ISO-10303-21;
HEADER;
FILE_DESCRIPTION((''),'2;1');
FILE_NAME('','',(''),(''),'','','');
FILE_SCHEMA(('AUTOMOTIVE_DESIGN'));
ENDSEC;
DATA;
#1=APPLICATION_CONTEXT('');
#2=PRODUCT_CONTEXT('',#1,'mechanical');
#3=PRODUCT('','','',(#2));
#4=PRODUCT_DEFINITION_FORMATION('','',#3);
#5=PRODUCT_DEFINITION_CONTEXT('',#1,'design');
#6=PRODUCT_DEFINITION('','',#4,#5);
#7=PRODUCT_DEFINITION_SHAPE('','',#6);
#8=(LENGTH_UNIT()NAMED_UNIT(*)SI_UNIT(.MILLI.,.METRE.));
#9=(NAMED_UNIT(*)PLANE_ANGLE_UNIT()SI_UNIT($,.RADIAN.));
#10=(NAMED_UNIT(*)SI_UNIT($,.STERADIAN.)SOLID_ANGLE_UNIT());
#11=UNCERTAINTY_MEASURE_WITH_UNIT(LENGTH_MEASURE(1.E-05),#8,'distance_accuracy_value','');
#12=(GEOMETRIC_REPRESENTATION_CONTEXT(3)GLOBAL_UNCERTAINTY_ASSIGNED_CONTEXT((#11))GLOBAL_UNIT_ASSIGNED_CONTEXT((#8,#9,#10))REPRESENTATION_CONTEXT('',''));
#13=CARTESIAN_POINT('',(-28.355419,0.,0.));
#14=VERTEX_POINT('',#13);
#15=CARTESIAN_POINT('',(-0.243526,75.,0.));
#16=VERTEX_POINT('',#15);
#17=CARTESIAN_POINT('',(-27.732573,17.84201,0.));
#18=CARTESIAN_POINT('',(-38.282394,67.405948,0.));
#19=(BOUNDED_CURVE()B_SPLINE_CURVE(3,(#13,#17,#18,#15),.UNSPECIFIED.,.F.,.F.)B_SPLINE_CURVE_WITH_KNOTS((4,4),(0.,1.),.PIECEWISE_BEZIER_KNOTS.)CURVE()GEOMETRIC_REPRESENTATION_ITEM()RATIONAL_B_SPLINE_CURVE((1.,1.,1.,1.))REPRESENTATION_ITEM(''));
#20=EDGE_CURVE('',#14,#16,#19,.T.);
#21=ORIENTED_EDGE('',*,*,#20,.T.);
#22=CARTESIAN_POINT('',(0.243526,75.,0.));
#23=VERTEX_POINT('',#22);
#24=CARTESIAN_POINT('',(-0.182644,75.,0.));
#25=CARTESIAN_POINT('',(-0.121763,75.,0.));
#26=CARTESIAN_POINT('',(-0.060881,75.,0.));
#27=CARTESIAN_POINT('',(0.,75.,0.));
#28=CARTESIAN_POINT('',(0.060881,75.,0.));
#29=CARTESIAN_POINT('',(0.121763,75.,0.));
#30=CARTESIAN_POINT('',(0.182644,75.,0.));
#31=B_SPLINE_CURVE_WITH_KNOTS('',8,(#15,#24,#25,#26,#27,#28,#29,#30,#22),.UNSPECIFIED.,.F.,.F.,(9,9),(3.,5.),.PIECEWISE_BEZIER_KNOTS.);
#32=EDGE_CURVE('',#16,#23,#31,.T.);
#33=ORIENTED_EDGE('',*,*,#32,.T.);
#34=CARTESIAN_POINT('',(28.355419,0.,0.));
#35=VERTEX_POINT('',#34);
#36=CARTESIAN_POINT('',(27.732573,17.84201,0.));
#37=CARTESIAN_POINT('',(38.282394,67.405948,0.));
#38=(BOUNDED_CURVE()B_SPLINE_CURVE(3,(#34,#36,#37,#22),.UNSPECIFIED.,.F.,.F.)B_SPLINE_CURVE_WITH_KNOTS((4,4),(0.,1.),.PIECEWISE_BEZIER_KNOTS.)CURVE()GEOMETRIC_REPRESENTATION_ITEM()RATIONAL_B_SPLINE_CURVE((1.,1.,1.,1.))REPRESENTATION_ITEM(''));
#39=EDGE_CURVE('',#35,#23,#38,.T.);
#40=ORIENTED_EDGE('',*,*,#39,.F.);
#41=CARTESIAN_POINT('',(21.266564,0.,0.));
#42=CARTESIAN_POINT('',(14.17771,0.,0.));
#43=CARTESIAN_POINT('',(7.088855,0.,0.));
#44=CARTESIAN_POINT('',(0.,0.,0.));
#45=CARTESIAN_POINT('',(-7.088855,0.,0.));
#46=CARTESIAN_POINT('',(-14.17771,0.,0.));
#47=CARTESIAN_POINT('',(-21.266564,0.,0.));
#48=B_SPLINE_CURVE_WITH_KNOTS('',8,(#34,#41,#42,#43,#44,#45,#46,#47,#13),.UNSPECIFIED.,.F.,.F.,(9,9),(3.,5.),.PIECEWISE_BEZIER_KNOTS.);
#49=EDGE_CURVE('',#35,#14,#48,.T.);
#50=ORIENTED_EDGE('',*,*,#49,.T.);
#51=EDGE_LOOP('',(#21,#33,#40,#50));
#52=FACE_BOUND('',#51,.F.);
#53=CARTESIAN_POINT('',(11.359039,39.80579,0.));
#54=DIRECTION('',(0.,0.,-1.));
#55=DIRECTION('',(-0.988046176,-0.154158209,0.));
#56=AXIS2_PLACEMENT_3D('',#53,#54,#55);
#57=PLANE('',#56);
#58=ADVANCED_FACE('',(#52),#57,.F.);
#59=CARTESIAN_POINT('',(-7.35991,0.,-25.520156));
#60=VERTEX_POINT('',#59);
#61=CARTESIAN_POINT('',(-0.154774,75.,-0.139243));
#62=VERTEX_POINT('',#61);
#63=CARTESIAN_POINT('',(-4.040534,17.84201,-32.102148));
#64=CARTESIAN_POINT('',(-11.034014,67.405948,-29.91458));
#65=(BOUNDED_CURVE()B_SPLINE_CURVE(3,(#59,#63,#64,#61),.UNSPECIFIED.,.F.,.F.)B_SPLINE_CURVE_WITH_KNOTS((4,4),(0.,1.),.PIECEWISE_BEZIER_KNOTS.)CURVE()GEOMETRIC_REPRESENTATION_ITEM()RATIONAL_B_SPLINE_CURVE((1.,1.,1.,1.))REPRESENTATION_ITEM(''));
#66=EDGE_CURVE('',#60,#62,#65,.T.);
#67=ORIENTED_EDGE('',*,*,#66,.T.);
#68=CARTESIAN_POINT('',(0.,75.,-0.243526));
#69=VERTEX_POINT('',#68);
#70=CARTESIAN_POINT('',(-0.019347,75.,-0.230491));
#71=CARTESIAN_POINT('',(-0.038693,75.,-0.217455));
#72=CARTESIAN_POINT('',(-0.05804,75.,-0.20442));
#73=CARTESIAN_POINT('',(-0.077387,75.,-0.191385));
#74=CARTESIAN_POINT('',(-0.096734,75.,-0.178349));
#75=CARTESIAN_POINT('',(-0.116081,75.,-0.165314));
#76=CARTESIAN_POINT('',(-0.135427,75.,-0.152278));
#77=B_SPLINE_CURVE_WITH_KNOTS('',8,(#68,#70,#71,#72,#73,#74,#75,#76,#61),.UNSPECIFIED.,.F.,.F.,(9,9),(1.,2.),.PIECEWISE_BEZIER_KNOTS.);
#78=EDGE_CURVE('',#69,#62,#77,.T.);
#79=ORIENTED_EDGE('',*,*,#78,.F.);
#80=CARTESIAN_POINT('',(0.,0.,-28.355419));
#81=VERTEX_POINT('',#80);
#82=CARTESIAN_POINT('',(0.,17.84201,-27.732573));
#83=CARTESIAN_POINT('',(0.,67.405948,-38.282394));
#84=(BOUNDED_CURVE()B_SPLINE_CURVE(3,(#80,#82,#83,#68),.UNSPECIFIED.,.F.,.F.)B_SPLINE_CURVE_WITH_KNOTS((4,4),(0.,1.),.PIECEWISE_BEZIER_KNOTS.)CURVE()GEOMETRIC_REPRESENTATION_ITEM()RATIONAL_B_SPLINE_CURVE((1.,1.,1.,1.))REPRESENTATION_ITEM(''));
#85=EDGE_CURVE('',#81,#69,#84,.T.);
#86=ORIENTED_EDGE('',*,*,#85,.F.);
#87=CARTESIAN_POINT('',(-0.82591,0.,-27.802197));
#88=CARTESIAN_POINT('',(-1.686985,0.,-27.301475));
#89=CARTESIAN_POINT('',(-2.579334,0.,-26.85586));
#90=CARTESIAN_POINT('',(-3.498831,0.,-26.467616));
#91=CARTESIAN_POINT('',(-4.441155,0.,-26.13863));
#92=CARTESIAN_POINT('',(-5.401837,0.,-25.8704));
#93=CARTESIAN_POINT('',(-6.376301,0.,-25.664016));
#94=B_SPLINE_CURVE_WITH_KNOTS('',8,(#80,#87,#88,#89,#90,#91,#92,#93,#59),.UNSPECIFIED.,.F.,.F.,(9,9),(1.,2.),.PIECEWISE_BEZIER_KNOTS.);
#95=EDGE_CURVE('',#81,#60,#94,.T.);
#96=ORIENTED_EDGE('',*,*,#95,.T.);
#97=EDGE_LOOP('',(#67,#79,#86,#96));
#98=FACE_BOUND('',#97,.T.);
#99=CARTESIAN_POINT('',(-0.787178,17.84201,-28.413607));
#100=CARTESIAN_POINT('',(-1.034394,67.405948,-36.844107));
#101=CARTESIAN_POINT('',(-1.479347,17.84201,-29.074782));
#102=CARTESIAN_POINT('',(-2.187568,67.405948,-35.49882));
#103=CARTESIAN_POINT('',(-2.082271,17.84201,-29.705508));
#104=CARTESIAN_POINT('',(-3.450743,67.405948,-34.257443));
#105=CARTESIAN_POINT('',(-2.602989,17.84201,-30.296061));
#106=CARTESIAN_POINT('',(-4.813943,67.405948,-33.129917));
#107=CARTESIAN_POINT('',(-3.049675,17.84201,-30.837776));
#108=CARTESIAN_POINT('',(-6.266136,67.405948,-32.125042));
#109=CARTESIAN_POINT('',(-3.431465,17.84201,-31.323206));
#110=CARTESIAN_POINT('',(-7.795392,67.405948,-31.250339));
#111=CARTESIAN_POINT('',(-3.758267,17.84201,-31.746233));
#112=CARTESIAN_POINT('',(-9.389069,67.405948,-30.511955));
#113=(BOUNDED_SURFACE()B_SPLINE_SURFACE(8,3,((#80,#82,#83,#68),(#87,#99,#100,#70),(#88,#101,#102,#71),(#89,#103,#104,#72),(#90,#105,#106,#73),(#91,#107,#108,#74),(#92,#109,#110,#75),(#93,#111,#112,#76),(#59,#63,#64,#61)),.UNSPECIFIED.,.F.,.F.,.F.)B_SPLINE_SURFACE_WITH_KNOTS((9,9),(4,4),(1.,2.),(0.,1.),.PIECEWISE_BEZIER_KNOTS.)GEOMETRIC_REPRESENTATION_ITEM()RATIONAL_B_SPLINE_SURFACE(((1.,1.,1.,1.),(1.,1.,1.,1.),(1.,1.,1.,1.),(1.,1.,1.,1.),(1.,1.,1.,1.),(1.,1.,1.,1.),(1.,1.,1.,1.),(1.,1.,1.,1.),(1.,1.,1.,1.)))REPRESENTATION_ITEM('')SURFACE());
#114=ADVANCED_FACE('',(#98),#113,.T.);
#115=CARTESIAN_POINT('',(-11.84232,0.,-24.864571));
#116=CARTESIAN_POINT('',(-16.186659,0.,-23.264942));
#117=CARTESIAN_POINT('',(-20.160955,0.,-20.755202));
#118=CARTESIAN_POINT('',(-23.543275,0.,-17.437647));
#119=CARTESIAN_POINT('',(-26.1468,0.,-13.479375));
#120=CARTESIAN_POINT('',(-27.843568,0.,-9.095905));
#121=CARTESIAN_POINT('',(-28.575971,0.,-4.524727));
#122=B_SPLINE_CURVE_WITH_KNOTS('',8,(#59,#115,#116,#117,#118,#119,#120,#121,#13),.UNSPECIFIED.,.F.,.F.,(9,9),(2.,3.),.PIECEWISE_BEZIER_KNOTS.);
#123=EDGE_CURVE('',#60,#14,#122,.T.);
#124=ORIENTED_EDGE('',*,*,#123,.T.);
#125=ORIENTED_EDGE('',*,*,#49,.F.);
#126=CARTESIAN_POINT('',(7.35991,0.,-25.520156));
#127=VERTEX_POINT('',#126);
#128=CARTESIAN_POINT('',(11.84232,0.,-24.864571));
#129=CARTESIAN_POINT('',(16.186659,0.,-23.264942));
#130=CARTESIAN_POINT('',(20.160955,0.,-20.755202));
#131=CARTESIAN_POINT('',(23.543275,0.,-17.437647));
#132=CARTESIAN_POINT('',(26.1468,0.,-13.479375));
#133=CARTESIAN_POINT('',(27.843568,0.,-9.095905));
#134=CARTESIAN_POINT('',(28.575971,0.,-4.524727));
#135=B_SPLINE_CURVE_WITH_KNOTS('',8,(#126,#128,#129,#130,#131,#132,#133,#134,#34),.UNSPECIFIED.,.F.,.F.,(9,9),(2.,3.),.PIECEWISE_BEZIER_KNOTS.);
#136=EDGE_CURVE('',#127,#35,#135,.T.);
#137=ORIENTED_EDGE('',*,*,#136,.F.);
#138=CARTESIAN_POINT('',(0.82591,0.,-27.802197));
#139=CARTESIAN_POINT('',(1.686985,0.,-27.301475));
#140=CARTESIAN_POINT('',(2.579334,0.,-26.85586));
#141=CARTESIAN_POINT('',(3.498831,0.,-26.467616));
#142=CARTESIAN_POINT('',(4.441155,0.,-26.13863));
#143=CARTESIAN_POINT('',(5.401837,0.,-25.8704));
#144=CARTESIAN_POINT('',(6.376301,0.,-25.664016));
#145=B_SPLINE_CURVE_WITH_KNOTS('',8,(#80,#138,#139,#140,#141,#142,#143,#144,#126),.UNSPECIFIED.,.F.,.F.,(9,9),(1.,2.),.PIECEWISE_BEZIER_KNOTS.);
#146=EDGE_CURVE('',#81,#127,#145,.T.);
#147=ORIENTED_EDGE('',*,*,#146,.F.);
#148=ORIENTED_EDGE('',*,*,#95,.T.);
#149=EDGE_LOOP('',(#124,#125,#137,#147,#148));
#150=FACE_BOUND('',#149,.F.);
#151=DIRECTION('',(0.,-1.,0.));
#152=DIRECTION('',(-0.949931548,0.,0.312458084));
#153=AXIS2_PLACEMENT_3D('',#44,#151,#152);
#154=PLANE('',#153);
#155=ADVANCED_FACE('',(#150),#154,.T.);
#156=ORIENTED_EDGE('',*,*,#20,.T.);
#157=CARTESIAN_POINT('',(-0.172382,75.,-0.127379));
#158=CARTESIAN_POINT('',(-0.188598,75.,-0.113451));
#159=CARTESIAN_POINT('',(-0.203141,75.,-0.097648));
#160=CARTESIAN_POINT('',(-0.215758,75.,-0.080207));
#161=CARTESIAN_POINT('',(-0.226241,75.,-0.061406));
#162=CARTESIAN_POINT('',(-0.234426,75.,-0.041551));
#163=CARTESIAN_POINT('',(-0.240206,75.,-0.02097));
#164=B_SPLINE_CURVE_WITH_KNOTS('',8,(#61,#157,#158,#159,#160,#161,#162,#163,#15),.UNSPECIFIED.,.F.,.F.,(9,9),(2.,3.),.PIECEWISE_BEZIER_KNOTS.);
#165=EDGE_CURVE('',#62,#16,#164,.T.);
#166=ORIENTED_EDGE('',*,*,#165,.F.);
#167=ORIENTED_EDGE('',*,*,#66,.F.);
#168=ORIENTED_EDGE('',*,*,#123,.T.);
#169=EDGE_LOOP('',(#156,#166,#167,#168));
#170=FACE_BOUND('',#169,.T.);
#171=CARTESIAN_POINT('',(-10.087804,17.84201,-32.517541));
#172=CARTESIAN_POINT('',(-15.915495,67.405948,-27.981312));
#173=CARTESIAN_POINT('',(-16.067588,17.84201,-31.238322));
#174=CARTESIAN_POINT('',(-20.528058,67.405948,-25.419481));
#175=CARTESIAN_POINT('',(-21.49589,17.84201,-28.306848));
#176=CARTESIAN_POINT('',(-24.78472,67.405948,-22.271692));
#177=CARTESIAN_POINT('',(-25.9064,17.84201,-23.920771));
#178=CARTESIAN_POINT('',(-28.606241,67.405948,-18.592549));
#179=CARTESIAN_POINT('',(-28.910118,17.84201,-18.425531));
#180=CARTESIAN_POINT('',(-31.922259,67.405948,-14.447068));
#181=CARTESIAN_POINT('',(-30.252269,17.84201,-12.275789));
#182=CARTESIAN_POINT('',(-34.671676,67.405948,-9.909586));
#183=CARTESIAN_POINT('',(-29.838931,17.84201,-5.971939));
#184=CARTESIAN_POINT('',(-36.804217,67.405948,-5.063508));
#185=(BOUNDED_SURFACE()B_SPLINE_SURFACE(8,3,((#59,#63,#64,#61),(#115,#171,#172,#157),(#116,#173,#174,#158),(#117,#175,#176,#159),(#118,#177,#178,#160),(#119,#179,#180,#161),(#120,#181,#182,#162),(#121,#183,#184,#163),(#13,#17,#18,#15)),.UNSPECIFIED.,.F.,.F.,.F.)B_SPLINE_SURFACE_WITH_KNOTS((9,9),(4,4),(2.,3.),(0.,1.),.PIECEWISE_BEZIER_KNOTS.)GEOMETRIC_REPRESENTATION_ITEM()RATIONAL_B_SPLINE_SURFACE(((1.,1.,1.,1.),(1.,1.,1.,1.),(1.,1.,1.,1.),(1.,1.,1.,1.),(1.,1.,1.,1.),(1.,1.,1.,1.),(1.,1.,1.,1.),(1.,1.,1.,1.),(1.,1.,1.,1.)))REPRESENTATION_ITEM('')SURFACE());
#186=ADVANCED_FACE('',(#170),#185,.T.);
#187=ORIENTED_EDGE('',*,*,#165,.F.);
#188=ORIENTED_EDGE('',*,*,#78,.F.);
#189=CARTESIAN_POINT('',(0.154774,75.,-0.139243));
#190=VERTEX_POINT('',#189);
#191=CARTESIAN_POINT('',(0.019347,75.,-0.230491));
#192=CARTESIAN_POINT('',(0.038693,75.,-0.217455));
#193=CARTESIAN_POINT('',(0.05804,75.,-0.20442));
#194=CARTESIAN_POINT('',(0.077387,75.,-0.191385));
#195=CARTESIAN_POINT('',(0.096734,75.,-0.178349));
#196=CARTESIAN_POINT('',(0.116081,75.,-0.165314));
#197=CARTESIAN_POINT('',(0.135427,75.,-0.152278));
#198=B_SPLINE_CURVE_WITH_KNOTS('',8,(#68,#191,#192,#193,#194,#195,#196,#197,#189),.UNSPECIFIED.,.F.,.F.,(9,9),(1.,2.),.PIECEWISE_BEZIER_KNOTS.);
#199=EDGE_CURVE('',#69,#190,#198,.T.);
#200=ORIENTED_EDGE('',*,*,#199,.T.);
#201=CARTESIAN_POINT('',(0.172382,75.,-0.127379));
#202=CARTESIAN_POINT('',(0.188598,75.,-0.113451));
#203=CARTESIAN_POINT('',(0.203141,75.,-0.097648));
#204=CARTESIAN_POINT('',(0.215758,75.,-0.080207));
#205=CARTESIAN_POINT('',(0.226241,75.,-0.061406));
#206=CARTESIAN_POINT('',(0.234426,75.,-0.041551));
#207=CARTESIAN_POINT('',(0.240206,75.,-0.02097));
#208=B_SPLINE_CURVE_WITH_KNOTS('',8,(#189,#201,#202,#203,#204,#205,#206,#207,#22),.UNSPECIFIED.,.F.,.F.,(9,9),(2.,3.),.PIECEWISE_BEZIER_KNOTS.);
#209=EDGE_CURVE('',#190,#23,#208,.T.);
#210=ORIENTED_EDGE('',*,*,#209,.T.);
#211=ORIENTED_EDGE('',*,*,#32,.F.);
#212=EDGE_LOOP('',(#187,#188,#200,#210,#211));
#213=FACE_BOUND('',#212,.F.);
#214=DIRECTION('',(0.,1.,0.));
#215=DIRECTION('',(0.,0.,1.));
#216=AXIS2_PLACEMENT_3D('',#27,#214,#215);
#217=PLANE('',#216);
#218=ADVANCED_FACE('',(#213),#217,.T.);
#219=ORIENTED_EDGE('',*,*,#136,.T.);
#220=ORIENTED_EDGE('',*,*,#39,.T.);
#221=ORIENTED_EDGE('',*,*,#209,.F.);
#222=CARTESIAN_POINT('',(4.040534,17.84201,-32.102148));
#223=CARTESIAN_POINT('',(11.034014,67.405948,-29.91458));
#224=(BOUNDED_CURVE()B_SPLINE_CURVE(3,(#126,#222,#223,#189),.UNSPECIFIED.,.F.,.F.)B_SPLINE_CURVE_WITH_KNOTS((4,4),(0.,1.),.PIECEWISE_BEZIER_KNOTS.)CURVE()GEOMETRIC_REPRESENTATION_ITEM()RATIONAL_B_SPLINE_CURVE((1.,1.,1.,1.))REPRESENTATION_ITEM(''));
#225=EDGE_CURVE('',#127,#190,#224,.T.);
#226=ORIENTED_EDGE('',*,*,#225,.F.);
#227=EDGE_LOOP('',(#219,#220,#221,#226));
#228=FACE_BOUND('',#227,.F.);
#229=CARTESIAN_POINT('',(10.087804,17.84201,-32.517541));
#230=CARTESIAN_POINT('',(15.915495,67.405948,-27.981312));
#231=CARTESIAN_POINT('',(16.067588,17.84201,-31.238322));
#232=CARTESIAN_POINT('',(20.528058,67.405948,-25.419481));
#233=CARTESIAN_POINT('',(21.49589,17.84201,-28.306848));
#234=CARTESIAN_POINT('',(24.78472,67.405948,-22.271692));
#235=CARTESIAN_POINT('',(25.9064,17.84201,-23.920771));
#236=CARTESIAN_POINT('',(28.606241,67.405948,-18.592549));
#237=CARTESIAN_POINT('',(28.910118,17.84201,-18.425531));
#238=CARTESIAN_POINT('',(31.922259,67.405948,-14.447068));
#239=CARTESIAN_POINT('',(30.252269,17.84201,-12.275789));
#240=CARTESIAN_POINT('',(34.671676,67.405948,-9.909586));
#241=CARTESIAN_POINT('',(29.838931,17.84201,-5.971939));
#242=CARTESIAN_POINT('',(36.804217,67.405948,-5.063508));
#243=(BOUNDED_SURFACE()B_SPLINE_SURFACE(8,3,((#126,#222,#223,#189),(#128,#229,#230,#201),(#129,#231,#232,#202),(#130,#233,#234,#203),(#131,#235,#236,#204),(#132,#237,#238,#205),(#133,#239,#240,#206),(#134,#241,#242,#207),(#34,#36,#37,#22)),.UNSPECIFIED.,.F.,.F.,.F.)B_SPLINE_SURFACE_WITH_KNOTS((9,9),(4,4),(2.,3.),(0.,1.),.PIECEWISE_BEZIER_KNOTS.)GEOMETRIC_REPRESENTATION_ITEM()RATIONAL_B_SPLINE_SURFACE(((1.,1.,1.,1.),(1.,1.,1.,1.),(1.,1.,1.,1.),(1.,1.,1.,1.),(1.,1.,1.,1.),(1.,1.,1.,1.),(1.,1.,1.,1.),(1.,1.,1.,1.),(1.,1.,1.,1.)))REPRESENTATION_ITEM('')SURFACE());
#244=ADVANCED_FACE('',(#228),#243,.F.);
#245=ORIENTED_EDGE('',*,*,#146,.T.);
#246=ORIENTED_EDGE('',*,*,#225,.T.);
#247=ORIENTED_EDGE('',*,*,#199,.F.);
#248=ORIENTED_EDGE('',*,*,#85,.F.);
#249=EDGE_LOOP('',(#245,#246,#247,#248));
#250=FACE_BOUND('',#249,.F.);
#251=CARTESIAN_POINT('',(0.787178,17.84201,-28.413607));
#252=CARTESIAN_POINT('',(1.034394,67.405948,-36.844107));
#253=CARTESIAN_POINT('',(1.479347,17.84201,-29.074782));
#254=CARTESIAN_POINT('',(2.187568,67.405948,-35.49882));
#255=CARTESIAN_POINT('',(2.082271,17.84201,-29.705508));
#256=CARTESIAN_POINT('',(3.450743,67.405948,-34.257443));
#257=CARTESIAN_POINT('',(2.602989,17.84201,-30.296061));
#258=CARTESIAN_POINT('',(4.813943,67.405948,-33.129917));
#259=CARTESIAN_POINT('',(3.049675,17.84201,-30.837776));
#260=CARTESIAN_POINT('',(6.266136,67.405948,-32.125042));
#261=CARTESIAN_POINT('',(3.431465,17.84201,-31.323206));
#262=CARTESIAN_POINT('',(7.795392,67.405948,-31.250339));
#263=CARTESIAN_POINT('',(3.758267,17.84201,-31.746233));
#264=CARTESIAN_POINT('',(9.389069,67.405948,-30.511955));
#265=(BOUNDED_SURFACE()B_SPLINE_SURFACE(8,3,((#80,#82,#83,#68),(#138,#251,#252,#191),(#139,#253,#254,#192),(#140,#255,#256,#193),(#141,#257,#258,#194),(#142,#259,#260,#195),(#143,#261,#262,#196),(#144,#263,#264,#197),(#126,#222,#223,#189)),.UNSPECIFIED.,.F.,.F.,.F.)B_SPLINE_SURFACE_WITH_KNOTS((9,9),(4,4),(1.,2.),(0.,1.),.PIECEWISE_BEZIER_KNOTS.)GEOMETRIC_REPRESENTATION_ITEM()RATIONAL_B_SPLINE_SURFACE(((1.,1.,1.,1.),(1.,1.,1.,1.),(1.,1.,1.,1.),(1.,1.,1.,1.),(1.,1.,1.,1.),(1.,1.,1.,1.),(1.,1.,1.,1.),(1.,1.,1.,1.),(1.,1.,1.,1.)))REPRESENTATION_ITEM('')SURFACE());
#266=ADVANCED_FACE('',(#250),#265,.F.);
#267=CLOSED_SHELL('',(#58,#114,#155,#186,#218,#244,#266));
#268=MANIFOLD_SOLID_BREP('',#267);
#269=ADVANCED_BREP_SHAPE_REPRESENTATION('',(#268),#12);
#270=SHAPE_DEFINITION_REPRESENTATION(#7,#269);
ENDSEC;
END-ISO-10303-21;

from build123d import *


with BuildPart() as loft_body:
    # Sketch → Loft section 0
    with BuildSketch(Plane.XZ):
        with BuildLine():
            Line((0, 0), (0, -28.355419))
            ThreePointArc((0, -28.355419), (-3.521602, -26.526728), (-7.35991, -25.520156))
            ThreePointArc((-28.355419, 0), (-22.785826, -16.814492), (-7.35991, -25.520156))
            Line((0, 0), (-28.355419, 0))
        make_face()
    # Sketch001 → Loft section 1
    with BuildSketch(Plane.XZ.offset(-45)):
        with BuildLine():
            Line((0, 0), (0, -27.719862))
            ThreePointArc((0, -27.719862), (-3.195561, -26.373855), (-6.566651, -25.562005))
            ThreePointArc((-27.719862, 0), (-21.985706, -16.788253), (-6.566651, -25.562005))
            Line((0, 0), (-27.719862, 0))
        make_face()
    # Sketch002 → Loft section 2
    with BuildSketch(Plane.XZ.offset(-72)):
        with BuildLine():
            Line((0, 0), (0, -9.342984))
            ThreePointArc((0, -9.342984), (-1.208857, -8.236593), (-2.669425, -7.493508))
            ThreePointArc((-9.342984, 0), (-6.978577, -4.612729), (-2.669425, -7.493508))
            Line((0, 0), (-9.342984, 0))
        make_face()
    # Sketch003 → Loft section 3
    with BuildSketch(Plane.XZ.offset(-75)):
        with BuildLine():
            Line((0, 0), (0, -0.243526))
            Line((-0.154774, -0.139243), (0, -0.243526))
            ThreePointArc((-0.243526, 0), (-0.213641, -0.078858), (-0.154774, -0.139243))
            Line((0, 0), (-0.243526, 0))
        make_face()
    loft()


with BuildPart() as part_mirroring:
    # Part__Mirroring: instance of Loft body
    add(loft_body.part.mirror(Plane(origin=(0, 0, 0), x_dir=(0, -1, 0), z_dir=(1, 0, 0))))


with BuildPart() as fusion:
    # Fusion base: copy of Loft body
    add(loft_body.part)

    # Fusion: union Part__Mirroring
    add(part_mirroring.part)


solid = fusion.part
